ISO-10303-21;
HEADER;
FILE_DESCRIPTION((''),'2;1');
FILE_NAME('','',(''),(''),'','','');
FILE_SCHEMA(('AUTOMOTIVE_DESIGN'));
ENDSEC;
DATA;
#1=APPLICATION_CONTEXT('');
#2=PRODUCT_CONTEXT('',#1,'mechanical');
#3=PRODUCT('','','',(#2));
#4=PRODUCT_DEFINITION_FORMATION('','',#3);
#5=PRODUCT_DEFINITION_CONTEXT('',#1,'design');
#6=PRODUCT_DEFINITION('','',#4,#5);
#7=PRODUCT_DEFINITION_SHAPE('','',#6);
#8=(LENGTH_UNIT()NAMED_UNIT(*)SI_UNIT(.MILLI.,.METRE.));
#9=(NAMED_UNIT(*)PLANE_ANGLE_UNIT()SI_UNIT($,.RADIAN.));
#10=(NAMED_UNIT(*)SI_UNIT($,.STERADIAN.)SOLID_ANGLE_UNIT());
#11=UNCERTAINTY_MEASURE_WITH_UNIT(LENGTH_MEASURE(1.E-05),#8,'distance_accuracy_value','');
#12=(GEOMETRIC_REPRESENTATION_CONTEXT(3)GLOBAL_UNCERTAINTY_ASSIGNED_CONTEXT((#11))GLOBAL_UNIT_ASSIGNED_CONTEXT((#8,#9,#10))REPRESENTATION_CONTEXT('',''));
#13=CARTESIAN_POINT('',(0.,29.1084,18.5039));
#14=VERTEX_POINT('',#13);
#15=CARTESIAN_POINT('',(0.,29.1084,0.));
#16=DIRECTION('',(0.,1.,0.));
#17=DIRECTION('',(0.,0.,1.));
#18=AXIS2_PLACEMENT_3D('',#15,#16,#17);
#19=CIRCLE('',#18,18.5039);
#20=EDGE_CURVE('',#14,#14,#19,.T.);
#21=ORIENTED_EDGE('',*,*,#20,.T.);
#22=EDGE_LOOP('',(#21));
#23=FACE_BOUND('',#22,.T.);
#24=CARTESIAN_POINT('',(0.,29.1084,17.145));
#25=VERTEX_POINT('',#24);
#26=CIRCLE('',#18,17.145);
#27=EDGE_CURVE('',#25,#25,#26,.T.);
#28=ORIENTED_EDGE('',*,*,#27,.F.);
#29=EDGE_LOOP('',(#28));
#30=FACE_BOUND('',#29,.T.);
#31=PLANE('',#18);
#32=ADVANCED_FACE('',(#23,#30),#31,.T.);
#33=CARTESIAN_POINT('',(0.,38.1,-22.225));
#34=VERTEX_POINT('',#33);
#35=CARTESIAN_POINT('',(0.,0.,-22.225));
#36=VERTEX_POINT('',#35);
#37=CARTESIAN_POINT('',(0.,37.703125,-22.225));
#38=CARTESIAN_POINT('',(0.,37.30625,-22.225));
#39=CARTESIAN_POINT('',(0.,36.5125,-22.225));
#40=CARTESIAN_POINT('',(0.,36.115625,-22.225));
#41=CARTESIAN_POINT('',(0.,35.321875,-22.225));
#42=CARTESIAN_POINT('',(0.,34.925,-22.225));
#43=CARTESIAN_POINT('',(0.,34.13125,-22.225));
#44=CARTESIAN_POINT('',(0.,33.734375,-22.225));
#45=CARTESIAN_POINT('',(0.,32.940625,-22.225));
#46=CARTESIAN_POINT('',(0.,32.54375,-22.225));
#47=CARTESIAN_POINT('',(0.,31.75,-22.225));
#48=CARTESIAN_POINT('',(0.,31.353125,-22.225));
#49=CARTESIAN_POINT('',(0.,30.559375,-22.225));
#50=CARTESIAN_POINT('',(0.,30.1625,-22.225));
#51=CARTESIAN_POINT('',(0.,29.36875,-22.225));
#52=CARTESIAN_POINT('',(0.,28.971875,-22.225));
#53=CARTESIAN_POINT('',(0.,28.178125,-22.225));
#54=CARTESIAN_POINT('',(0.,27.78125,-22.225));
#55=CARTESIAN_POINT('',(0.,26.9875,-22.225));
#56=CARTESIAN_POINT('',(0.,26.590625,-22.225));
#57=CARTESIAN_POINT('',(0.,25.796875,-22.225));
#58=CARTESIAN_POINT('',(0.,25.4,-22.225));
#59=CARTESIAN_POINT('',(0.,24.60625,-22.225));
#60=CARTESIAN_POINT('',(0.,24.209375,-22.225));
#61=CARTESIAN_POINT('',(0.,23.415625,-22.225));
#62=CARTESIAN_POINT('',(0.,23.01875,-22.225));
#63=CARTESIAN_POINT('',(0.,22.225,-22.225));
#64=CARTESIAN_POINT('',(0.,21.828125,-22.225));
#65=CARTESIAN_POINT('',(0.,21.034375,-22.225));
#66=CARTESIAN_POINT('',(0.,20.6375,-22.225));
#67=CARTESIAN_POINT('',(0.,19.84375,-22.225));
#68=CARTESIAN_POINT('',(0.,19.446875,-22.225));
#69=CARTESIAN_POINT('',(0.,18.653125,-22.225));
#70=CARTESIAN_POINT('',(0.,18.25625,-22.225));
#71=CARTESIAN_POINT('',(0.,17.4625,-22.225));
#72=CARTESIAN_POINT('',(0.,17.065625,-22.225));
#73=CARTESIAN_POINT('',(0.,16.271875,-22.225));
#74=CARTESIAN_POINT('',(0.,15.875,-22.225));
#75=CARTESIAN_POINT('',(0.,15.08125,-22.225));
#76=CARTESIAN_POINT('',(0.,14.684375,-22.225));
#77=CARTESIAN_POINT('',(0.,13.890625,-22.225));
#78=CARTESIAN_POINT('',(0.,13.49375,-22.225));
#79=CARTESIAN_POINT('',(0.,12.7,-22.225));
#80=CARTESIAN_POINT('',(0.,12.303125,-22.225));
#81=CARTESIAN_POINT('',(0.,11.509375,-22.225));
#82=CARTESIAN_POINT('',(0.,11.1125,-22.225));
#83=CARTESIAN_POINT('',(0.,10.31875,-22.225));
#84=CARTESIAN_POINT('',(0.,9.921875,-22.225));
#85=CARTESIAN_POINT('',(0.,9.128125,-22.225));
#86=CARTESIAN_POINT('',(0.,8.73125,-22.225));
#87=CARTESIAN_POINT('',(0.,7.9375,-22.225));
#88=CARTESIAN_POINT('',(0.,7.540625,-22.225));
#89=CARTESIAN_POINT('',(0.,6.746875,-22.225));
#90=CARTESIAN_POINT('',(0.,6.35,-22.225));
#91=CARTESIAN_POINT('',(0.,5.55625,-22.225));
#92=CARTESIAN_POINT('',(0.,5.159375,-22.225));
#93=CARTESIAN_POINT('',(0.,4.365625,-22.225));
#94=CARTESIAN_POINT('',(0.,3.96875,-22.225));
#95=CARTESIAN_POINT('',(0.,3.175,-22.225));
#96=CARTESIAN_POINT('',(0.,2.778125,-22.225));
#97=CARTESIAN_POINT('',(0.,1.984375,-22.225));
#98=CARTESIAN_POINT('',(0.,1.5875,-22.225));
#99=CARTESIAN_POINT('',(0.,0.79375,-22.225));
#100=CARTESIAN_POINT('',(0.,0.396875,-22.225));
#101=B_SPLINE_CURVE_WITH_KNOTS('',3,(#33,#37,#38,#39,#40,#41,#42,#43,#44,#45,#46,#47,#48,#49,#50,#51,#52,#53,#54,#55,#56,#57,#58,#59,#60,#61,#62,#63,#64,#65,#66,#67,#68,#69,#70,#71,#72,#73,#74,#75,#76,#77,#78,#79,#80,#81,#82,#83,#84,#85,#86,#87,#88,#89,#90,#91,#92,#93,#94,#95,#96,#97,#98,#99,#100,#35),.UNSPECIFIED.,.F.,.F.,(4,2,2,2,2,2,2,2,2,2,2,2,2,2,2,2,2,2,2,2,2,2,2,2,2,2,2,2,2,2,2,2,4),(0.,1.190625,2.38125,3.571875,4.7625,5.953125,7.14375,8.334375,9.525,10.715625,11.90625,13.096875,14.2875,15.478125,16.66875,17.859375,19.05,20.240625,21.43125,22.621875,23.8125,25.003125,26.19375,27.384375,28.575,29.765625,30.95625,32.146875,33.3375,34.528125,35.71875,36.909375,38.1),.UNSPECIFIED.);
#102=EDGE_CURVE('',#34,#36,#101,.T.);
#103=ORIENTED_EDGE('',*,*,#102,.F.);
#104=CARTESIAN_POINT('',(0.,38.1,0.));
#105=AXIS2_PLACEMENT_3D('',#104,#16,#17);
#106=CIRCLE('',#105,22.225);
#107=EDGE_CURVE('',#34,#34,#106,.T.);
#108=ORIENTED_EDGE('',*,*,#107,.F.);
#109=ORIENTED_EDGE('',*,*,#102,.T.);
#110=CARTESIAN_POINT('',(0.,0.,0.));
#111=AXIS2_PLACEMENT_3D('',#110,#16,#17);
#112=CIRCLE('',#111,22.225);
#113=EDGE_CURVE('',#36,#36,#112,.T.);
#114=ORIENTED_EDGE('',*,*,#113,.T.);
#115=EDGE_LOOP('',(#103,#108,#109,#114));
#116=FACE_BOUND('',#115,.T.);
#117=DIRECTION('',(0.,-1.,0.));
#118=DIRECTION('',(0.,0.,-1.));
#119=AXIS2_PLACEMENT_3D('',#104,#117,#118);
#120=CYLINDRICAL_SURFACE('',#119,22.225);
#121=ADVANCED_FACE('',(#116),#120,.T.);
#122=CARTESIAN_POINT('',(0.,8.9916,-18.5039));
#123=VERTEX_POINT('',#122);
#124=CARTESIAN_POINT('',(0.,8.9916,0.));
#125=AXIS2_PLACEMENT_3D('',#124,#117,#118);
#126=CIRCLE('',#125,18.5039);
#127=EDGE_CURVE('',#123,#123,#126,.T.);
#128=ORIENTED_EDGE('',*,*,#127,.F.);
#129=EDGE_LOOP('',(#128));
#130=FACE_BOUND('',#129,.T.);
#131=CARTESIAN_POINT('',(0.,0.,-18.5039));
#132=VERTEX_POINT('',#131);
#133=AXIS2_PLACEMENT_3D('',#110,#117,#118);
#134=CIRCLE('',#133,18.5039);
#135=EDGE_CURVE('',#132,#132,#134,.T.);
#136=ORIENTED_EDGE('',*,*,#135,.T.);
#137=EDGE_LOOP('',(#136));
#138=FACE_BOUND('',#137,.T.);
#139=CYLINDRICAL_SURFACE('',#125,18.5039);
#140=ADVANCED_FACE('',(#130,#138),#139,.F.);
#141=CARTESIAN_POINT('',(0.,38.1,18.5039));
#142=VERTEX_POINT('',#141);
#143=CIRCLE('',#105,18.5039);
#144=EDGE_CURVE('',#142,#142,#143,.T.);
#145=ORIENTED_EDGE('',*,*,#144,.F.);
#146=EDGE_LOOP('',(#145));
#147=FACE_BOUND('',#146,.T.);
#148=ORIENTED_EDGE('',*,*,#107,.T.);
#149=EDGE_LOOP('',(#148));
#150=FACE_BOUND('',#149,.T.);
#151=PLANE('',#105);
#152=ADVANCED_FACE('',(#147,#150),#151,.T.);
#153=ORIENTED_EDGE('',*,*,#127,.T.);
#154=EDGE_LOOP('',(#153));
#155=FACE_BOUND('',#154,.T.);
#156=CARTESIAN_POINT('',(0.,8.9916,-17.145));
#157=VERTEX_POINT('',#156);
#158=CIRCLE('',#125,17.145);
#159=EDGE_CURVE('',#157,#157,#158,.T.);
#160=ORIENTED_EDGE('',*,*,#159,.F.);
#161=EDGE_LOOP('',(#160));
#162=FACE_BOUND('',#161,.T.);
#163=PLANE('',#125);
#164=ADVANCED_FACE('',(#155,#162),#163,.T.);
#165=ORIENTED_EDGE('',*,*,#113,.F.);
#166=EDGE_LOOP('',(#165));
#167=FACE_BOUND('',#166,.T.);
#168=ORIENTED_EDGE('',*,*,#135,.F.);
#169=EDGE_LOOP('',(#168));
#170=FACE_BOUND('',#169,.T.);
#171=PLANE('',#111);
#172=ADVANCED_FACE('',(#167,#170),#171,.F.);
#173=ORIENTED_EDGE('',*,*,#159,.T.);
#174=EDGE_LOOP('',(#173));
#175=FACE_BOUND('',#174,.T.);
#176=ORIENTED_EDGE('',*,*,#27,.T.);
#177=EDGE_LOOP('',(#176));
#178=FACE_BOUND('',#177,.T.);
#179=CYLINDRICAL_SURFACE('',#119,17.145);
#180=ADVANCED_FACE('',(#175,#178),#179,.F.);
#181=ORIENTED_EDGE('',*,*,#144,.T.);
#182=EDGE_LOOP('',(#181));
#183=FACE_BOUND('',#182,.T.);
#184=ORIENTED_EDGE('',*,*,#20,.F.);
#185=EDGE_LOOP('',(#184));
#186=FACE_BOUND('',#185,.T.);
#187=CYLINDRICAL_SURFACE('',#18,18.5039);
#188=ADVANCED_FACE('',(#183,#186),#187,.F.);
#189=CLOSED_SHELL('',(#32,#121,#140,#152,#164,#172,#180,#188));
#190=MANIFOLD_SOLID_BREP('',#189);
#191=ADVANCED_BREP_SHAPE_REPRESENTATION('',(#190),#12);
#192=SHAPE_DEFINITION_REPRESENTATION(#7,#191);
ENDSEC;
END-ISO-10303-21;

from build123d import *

# Parameters (mm, degrees)
SKETCH1_R           = 22.225
BOSS_EXTRUDE1_DEPTH = 38.1
SKETCH2_R           = 18.5039
CUT_EXTRUDE1_DEPTH  = 8.9916
CUT_EXTRUDE2_START  = -8.9916
SKETCH4_R           = 18.5039
CUT_EXTRUDE2_DEPTH  = 8.9916
SKETCH5_R           = 17.145
CUT_EXTRUDE3_DEPTH  = 43.839236694


with BuildPart() as part:
    # Sketch1 → Boss-Extrude1 (new body)
    with BuildSketch(Plane(origin=(0, 0, 0), x_dir=(1, 0, 0), z_dir=(0, 1, 0))):
        with Locations(Location((0, 0, 0), (0, 0, 90))):
            Circle(SKETCH1_R)
    extrude(amount=BOSS_EXTRUDE1_DEPTH)

    # Sketch2 → Cut-Extrude1 (cut)
    with BuildSketch(Plane(origin=(0, 38.1, 0), x_dir=(1, 0, 0), z_dir=(0, 1, 0))):
        with Locations(Location((0, 0, 0), (0, 0, 270))):
            Circle(SKETCH2_R)
    extrude(amount=-CUT_EXTRUDE1_DEPTH, mode=Mode.SUBTRACT)

    # Sketch4 → Cut-Extrude2 (cut)
    with BuildSketch(Plane.XZ.offset(CUT_EXTRUDE2_START)):
        with Locations(Location((0, 0, 0), (0, 0, 90))):
            Circle(SKETCH4_R)
    extrude(amount=CUT_EXTRUDE2_DEPTH, mode=Mode.SUBTRACT)

    # Sketch5 → Cut-Extrude3 (cut, through all)
    with BuildSketch(Plane.XZ.offset(-8.9916)):
        with Locations(Location((0, 0, 0), (0, 0, 270))):
            Circle(SKETCH5_R)
    extrude(amount=-CUT_EXTRUDE3_DEPTH, mode=Mode.SUBTRACT)


solid = part.part
